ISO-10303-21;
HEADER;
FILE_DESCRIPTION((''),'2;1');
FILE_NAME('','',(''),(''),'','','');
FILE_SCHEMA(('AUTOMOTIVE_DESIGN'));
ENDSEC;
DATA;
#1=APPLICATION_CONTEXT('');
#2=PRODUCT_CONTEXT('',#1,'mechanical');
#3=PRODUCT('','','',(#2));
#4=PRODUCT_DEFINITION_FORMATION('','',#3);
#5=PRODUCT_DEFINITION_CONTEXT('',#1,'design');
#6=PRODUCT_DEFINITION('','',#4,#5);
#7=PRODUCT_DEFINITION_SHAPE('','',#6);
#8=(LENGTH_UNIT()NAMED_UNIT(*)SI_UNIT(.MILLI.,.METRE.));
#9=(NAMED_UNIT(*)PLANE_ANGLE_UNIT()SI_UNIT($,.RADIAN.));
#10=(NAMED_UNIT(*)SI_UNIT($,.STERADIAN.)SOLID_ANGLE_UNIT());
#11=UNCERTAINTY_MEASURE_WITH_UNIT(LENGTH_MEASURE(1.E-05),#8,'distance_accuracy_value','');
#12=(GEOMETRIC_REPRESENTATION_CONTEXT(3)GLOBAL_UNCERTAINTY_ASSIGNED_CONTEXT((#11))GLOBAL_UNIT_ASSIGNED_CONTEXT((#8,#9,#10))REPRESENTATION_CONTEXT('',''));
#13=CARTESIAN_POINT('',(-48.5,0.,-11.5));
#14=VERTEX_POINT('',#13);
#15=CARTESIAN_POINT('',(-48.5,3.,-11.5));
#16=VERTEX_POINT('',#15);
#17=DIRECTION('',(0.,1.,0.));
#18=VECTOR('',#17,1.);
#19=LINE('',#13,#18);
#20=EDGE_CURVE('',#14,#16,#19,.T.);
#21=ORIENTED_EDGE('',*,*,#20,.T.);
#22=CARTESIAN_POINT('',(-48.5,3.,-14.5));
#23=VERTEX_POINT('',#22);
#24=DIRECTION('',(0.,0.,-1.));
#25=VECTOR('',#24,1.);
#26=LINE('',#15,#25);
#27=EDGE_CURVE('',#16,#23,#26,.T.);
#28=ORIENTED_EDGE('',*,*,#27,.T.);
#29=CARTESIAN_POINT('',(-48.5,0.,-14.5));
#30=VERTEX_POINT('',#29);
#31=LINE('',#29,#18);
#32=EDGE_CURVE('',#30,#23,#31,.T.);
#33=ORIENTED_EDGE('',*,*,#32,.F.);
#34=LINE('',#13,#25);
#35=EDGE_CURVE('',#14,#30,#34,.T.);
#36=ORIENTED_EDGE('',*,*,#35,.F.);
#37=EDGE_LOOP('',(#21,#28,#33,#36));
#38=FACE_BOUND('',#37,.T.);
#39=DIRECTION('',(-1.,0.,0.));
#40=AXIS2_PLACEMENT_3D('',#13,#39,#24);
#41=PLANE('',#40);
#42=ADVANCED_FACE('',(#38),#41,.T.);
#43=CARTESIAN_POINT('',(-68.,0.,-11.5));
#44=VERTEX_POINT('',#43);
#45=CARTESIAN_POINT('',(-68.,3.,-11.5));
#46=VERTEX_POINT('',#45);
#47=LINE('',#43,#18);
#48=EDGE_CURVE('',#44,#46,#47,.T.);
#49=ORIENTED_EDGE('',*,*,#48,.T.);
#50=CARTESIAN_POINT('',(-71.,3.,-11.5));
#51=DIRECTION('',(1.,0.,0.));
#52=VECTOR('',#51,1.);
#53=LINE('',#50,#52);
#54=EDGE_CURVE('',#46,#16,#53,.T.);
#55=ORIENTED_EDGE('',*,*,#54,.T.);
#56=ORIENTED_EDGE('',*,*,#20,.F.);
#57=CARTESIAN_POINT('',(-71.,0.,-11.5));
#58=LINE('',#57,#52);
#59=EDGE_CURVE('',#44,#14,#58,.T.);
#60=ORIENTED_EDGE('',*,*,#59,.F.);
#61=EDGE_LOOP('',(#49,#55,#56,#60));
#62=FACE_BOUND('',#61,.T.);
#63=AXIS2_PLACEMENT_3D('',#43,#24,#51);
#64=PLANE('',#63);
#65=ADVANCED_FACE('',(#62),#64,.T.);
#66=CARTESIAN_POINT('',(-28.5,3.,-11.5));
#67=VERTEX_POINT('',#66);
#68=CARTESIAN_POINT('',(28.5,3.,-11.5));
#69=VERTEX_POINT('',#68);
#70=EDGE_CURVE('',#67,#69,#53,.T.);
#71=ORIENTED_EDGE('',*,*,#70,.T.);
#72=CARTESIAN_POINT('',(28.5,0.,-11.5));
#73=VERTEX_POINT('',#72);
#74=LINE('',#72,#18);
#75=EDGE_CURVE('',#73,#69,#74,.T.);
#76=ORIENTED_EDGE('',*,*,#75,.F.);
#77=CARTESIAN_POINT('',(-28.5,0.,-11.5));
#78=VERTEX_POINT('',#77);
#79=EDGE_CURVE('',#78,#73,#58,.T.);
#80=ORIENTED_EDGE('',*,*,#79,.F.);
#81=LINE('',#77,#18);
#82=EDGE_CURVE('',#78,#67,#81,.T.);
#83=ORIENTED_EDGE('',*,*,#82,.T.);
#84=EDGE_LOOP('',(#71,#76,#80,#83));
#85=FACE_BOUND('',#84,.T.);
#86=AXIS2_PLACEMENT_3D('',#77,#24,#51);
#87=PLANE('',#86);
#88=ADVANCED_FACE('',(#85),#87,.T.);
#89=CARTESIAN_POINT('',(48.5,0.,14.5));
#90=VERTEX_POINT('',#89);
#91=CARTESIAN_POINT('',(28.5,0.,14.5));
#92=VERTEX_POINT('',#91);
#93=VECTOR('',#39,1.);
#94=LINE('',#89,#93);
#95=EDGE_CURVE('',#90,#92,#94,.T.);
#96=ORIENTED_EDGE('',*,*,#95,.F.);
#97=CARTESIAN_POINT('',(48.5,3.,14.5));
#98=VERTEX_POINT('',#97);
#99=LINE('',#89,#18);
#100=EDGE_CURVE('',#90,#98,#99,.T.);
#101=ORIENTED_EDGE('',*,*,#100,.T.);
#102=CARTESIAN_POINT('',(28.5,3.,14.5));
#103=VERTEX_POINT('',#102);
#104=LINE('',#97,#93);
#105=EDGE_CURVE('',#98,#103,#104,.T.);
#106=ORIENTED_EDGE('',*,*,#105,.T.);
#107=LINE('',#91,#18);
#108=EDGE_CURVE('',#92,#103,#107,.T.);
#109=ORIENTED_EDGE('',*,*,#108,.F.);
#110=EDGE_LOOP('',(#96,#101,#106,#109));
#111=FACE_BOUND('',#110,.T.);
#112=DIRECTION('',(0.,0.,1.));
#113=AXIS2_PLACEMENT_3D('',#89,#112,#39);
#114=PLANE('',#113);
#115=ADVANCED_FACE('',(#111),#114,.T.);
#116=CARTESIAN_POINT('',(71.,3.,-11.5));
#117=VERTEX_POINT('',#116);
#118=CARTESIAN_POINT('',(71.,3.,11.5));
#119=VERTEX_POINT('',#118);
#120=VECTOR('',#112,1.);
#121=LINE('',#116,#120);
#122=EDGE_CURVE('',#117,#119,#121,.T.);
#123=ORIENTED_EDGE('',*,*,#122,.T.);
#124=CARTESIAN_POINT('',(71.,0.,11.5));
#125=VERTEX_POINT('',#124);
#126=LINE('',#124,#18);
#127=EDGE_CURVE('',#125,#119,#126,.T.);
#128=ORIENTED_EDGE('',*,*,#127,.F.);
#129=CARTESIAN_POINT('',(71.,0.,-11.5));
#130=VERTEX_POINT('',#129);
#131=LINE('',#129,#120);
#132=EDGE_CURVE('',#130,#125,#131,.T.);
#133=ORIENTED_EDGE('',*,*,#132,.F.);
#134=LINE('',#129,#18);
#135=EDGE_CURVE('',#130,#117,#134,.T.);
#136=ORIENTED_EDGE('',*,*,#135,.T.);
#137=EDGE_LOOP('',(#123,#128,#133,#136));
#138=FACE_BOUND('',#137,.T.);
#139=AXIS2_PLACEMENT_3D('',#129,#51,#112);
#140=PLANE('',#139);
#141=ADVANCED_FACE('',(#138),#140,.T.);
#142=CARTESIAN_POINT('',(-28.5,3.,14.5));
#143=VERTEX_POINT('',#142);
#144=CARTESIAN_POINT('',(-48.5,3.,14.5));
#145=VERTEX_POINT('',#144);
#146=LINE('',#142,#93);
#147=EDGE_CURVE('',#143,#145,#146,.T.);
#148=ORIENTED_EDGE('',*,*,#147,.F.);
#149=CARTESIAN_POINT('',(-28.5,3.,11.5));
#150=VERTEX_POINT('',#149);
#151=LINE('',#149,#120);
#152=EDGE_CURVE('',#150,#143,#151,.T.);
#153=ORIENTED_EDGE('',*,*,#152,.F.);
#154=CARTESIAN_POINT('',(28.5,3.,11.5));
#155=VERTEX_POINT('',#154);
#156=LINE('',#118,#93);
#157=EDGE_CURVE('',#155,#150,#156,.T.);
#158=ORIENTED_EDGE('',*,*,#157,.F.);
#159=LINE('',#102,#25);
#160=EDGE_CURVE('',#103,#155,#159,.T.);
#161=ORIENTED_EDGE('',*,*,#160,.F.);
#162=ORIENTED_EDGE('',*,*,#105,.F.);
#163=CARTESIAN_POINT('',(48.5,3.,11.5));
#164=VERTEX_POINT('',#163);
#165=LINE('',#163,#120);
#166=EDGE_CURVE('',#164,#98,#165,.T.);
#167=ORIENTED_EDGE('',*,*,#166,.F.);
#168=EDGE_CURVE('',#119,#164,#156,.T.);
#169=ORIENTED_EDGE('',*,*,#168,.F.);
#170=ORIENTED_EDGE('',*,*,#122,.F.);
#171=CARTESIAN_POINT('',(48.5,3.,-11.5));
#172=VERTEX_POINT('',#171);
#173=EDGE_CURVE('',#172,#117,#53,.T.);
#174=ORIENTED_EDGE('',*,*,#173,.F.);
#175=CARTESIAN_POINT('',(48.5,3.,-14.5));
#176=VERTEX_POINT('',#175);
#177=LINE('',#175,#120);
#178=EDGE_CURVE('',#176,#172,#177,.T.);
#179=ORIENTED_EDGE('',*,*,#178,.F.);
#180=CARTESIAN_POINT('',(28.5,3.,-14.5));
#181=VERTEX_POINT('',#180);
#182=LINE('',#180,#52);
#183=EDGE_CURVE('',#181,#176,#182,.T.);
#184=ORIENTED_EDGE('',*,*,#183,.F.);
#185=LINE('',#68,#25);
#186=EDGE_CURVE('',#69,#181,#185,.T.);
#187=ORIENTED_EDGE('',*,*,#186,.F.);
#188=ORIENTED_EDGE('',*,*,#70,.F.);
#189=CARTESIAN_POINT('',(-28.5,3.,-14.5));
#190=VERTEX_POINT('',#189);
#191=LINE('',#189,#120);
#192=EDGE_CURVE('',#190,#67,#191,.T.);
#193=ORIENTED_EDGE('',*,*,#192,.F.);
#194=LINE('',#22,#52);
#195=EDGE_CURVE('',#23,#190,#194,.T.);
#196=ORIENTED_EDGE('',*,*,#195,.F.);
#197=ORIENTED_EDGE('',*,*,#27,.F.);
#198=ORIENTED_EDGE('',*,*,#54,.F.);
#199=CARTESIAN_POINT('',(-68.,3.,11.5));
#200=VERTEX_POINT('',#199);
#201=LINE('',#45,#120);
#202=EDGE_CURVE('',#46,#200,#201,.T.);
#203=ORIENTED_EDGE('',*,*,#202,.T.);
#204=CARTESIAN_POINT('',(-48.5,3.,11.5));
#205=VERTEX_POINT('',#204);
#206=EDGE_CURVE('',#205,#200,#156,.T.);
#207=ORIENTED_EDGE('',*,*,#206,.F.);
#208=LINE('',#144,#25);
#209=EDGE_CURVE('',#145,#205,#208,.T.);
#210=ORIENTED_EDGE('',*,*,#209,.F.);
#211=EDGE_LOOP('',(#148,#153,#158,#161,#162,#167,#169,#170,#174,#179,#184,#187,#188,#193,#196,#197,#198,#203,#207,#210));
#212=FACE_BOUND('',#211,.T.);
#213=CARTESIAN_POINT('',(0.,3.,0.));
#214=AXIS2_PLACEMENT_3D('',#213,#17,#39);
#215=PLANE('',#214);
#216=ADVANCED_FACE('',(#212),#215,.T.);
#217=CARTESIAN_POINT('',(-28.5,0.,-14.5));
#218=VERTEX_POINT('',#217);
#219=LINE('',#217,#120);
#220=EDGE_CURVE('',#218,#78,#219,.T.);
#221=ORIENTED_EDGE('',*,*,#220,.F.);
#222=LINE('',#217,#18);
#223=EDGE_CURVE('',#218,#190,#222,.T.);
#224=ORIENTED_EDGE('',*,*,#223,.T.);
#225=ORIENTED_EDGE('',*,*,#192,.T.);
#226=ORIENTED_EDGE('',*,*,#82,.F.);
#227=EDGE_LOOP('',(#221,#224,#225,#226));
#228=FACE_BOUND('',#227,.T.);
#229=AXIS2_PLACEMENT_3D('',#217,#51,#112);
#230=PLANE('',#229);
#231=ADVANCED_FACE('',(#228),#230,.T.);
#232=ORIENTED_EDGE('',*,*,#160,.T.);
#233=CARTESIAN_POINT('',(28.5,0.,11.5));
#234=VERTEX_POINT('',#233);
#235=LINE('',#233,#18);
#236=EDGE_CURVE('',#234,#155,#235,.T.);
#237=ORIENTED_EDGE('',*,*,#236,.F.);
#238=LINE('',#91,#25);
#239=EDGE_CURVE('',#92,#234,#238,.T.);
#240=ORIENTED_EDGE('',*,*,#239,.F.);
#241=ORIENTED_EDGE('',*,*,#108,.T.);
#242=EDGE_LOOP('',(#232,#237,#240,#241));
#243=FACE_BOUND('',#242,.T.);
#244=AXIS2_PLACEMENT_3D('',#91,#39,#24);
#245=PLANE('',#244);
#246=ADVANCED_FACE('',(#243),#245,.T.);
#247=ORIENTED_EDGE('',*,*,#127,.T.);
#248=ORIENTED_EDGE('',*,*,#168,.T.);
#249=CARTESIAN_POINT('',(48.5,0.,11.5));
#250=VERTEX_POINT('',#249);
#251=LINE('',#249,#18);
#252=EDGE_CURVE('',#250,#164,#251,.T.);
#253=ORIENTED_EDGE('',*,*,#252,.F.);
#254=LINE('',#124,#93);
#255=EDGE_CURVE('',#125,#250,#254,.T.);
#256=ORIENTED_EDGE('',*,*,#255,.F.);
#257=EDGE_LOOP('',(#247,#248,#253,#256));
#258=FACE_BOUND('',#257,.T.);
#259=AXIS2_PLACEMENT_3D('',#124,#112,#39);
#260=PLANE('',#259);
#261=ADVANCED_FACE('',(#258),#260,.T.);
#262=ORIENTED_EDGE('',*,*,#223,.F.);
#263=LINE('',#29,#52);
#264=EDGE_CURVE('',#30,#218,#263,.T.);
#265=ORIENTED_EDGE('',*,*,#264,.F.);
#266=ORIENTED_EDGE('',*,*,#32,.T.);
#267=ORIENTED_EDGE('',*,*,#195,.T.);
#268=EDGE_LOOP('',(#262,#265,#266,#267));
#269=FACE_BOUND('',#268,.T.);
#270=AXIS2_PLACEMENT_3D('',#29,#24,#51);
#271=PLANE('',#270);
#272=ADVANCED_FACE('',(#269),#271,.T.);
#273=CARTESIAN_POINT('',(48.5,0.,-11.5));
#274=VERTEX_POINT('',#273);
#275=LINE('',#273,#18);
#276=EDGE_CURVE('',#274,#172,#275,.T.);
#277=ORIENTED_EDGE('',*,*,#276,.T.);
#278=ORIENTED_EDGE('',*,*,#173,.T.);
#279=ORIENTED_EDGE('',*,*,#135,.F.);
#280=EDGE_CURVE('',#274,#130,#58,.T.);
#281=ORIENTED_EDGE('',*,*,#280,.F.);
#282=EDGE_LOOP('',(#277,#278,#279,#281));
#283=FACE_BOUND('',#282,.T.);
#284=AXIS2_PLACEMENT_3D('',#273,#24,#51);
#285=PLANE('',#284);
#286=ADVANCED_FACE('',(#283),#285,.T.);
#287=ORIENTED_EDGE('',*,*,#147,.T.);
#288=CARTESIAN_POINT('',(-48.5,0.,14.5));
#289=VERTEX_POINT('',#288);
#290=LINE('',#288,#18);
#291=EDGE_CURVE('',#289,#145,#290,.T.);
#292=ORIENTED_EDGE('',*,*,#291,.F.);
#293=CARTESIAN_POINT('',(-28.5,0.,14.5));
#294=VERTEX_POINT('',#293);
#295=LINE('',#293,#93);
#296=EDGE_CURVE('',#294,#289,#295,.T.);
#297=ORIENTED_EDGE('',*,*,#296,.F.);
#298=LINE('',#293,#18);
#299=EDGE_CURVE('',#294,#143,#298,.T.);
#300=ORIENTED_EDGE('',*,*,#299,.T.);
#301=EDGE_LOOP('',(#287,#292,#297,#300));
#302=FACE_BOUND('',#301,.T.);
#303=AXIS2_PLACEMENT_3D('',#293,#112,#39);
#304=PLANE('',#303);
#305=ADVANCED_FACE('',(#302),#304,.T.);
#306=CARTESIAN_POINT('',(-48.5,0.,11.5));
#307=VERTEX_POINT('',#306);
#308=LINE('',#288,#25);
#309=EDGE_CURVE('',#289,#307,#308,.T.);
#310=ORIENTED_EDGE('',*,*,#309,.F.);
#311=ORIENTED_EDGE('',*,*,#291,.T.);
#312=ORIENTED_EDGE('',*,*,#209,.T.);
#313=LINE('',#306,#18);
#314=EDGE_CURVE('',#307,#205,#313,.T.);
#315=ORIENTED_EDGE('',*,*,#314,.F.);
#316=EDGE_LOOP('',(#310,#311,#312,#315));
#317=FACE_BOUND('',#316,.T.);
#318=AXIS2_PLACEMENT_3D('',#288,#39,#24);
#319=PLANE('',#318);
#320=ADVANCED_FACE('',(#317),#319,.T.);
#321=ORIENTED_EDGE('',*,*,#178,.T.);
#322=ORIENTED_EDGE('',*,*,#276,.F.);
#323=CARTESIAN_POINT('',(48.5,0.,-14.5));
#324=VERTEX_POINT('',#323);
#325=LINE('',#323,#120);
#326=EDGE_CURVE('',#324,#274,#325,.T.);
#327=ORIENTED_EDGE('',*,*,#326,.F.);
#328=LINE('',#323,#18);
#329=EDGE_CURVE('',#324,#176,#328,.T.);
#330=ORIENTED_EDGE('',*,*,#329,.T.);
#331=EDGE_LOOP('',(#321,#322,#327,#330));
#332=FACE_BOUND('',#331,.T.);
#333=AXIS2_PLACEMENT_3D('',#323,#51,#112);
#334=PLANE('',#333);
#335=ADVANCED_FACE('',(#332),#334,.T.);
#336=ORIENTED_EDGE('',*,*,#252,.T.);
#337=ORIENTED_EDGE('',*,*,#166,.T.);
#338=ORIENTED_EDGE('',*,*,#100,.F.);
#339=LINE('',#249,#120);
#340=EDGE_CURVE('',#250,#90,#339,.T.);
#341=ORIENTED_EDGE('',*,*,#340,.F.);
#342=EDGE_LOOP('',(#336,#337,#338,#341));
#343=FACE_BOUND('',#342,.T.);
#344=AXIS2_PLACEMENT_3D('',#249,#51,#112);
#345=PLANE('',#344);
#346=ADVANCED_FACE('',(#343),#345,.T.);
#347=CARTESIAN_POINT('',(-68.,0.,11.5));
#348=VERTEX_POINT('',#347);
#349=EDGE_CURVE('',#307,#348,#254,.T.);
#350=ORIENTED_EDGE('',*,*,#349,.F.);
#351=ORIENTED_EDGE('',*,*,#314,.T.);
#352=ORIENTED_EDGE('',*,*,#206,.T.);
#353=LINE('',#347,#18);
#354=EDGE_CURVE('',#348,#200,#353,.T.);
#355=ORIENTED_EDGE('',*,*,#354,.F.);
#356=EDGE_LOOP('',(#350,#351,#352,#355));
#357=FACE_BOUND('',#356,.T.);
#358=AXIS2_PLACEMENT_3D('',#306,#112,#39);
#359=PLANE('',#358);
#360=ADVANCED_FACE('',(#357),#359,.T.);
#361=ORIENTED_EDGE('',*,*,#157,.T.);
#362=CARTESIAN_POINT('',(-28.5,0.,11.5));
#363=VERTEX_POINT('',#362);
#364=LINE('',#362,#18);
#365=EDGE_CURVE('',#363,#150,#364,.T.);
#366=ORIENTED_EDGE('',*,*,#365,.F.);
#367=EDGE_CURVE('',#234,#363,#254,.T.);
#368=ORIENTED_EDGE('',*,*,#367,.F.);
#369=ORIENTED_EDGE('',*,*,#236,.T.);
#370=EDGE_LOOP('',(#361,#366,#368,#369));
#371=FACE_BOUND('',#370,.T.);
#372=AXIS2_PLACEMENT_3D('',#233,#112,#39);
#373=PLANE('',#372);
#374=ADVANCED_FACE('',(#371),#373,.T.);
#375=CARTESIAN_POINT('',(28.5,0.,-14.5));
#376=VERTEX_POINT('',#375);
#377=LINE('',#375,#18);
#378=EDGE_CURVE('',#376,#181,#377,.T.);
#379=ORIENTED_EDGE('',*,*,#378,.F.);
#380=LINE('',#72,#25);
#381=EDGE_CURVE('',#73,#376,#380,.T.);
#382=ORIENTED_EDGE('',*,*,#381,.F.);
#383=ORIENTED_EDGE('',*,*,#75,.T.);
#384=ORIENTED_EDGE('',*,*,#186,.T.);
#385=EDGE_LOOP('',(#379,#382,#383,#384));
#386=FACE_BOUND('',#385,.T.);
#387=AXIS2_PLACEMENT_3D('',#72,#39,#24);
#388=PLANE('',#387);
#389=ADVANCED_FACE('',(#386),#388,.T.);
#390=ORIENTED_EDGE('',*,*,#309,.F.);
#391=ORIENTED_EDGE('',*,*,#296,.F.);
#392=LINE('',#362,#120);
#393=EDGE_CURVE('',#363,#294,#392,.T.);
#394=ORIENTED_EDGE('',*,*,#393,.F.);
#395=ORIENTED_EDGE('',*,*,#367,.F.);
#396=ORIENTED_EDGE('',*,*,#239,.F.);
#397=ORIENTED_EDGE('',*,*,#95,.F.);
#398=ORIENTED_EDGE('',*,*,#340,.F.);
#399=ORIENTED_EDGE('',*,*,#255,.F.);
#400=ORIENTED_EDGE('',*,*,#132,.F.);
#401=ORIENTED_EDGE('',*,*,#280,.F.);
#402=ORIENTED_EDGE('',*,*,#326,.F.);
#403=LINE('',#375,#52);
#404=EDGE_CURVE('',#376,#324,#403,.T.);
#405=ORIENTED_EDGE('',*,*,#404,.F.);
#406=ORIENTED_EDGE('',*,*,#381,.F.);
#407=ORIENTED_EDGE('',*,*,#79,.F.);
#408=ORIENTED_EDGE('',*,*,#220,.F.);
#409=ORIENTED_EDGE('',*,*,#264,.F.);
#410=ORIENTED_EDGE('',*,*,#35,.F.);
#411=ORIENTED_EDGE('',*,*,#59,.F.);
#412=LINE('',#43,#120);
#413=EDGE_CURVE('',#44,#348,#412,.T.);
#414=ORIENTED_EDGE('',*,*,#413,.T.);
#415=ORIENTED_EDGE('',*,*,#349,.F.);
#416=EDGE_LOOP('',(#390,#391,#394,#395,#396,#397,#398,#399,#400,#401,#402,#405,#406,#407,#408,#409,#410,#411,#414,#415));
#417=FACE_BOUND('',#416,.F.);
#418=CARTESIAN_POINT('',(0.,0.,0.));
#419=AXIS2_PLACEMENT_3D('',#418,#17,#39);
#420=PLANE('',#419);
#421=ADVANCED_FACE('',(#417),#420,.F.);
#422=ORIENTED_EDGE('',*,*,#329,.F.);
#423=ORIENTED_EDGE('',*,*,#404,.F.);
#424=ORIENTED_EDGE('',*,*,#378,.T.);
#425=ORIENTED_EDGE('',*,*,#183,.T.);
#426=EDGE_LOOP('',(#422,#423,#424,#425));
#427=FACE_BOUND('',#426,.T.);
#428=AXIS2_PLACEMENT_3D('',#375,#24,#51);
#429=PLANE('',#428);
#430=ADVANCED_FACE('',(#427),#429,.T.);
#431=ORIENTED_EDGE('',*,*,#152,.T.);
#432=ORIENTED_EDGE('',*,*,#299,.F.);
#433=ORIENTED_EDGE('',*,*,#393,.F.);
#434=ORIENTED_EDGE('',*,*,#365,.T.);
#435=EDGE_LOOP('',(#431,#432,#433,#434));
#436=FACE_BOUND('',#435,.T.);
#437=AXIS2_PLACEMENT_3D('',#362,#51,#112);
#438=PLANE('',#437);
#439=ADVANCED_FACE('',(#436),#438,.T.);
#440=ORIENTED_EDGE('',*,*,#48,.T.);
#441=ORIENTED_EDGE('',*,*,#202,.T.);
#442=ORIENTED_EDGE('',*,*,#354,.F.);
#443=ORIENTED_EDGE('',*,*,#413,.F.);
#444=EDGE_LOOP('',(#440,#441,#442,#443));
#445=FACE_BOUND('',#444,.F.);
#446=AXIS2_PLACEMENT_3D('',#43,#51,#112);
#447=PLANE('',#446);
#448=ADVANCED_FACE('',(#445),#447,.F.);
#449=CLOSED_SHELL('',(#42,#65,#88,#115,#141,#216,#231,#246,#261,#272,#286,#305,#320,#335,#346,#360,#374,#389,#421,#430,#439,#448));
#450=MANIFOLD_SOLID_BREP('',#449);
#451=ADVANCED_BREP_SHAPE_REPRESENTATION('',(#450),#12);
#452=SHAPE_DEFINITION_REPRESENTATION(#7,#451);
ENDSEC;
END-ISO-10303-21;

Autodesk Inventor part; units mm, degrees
ref_plane "YZ Plane" through (0, 0, 0) normal (1, 0, 0) x (0, 1, 0)
ref_plane "XZ Plane" through (0, 0, 0) normal (0, 1, 0) x (-1, 0, 0)
ref_plane "XY Plane" through (0, 0, 0) normal (0, 0, 1) x (1, 0, 0)
sketch "Sketch1" plane through (0, 0, 0) normal (0, 1, 0) x (-1, 0, 0)
  line L0 (71, -11.5) -> (-71, -11.5)
  line L1 (-71, -11.5) -> (-71, 11.5)
  line L2 (-71, 11.5) -> (71, 11.5)
  line L3 (71, 11.5) -> (71, -11.5)
  line L4 (68, -11.5) -> (68, 11.5)
  line L5 (48.5, -14.5) -> (28.5, -14.5)
  line L6 (28.5, -14.5) -> (28.5, -11.5)
  line L7 (28.5, -11.5) -> (48.5, -11.5)
  line L8 (48.5, -11.5) -> (48.5, -14.5)
  line L9 (48.5, 11.5) -> (28.5, 11.5)
  line L10 (28.5, 11.5) -> (28.5, 14.5)
  line L11 (28.5, 14.5) -> (48.5, 14.5)
  line L12 (48.5, 14.5) -> (48.5, 11.5)
  line L13 (38.5, -14.5) -> (38.5, -11.5) construction
  line L14 (-48.5, -14.5) -> (-48.5, -11.5)
  line L15 (-38.5, -14.5) -> (-38.5, -11.5) construction
  line L16 (-48.5, -11.5) -> (-28.5, -11.5)
  line L17 (-28.5, 11.5) -> (-48.5, 11.5)
  line L18 (-28.5, -14.5) -> (-48.5, -14.5)
  line L19 (-48.5, 14.5) -> (-28.5, 14.5)
  line L20 (-28.5, 14.5) -> (-28.5, 11.5)
  line L21 (-28.5, -11.5) -> (-28.5, -14.5)
  line L22 (-48.5, 11.5) -> (-48.5, 14.5)
  point P0 (0, 0)
  point P1 (-71, 0)
  point P2 (0, -11.5)
  point P3 (48.5, -11.5)
  point P4 (28.5, -11.5)
  point P5 (-28.5, -11.5)
  point P6 (-48.5, -11.5)
  point P7 (-48.5, 11.5)
  point P8 (-28.5, 11.5)
  point P9 (28.5, 11.5)
  point P10 (48.5, 11.5)
  dimension "d0" = 23
  dimension "d1" = 142
  dimension "d2" = 3
  dimension "d3" = 20
  dimension "d4" = 3
  dimension "d5" = 20
  dimension "d6" = 3
  dimension "d7" = 38.5
  dimension "d10" = 77
extrude "Extrusion1" add sketch "Sketch1" along normal blind 3 contours L0 L1 L2 L4 | L8 L5 L6 L0 | L2 L10 L11 L12 | L21 L18 L14 L0 | L2 L22 L19 L20
equation "\"d0\" = stack"
equation "\"d3\" = finger"
equation "\"d4\" = thickness"
equation "\"d5\" = finger"
equation "\"d15\" = thickness"
equation "\"stack\" = 23"
equation "\"finger\" = 20"
equation "\"thickness\" = 3"
properties part number "BungaSign-Bigger-Sides-LeftRight"
